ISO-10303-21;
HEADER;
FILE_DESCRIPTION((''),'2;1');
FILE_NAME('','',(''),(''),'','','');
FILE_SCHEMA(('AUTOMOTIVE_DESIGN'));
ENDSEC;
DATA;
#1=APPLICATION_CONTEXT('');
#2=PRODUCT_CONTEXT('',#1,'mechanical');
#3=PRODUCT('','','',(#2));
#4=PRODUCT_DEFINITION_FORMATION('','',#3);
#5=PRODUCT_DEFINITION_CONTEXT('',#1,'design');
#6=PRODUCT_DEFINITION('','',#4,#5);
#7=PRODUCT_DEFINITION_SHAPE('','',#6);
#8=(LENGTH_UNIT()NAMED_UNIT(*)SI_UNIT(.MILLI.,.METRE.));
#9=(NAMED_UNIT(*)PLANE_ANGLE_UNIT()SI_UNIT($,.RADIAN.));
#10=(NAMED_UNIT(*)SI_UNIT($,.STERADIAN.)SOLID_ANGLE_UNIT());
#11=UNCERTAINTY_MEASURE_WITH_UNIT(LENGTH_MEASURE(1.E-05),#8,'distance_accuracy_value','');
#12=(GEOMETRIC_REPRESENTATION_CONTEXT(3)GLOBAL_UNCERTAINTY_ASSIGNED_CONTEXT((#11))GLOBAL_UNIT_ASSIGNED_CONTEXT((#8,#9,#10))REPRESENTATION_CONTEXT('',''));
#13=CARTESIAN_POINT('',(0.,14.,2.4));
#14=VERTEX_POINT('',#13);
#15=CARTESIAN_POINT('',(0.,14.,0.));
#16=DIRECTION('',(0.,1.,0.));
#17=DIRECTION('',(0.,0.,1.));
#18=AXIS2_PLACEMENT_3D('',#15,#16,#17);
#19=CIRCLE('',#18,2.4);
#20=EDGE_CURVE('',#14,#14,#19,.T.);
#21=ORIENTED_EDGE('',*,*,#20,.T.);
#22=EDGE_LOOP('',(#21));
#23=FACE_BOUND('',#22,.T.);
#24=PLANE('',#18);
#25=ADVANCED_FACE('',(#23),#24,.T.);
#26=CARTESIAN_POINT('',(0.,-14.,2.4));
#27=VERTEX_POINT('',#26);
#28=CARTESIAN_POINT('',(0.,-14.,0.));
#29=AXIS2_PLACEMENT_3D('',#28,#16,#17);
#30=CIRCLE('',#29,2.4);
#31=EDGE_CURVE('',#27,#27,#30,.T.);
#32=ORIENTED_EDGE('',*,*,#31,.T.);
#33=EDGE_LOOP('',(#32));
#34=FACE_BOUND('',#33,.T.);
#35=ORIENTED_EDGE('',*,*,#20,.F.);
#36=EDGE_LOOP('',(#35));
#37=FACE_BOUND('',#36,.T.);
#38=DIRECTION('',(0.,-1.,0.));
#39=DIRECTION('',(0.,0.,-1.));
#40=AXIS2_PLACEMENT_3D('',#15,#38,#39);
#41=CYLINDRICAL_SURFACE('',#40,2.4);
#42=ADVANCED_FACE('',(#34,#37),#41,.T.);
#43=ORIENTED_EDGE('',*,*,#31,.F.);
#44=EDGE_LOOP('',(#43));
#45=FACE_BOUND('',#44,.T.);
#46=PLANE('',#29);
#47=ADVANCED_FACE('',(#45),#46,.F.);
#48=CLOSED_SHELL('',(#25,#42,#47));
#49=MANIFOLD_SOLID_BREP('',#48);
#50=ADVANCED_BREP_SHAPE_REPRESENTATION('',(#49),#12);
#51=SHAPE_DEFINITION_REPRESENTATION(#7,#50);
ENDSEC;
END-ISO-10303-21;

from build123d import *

# Parameters (mm, degrees)
CROQUIS2_R              = 2.4
SALIENTE_EXTRUIR1_DEPTH = 14


with BuildPart() as part:
    # Croquis2 → Saliente-Extruir1 (new, symmetric)
    with BuildSketch(Plane(origin=(0, 0, 0), x_dir=(1, 0, 0), z_dir=(0, 1, 0))):
        with Locations(Location((0, 0, 0), (0, 0, 270))):
            Circle(CROQUIS2_R)
    extrude(amount=SALIENTE_EXTRUIR1_DEPTH, both=True)


solid = part.part
